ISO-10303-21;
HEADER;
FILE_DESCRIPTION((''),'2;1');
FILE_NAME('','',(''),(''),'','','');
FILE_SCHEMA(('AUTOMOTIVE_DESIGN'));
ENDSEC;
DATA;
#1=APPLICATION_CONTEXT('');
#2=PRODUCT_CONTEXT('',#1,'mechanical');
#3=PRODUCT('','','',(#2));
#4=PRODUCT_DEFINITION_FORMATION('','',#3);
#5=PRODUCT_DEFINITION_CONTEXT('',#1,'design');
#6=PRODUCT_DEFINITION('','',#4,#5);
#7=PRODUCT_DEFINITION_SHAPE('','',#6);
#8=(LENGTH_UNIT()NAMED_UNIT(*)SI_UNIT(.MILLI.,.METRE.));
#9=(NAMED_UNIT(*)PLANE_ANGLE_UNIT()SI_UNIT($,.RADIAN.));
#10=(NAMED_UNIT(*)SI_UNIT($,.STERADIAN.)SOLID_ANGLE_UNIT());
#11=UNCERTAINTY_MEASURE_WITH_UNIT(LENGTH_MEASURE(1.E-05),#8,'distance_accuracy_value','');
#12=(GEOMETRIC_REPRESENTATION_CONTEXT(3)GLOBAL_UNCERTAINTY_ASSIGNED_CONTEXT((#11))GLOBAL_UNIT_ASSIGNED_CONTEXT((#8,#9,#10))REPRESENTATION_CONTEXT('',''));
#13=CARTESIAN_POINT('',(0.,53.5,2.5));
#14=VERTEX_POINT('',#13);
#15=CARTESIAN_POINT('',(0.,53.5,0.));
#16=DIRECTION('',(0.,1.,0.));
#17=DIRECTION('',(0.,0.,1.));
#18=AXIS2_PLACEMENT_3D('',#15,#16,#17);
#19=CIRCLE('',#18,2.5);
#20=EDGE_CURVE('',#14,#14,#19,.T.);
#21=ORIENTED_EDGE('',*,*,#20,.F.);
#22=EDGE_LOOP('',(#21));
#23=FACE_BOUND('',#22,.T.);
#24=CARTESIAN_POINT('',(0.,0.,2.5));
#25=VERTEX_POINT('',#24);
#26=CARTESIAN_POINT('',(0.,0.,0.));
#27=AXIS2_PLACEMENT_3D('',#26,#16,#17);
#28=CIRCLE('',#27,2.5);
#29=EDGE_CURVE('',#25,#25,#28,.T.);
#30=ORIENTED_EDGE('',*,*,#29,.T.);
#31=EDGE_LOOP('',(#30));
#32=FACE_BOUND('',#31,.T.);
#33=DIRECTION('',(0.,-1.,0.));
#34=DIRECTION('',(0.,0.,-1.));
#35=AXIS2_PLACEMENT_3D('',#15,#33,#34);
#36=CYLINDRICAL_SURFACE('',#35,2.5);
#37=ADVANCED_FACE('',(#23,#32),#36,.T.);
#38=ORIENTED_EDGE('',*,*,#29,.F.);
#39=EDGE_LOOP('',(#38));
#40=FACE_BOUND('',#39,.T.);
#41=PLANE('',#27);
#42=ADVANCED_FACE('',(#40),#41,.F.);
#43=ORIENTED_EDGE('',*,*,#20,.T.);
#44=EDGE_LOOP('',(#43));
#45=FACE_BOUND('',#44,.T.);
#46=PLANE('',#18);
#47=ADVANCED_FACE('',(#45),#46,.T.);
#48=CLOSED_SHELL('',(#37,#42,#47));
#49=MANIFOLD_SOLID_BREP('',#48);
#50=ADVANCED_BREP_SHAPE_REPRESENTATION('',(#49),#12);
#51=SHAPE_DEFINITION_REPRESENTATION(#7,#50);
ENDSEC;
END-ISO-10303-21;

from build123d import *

# Parameters (mm, degrees)
SKETCH1_R           = 2.5
BOSS_EXTRUDE1_DEPTH = 53.5


with BuildPart() as part:
    # Sketch1 → Boss-Extrude1 (new body)
    with BuildSketch(Plane(origin=(0, 0, 0), x_dir=(1, 0, 0), z_dir=(0, 1, 0))):
        Circle(SKETCH1_R)
    extrude(amount=BOSS_EXTRUDE1_DEPTH)


solid = part.part
